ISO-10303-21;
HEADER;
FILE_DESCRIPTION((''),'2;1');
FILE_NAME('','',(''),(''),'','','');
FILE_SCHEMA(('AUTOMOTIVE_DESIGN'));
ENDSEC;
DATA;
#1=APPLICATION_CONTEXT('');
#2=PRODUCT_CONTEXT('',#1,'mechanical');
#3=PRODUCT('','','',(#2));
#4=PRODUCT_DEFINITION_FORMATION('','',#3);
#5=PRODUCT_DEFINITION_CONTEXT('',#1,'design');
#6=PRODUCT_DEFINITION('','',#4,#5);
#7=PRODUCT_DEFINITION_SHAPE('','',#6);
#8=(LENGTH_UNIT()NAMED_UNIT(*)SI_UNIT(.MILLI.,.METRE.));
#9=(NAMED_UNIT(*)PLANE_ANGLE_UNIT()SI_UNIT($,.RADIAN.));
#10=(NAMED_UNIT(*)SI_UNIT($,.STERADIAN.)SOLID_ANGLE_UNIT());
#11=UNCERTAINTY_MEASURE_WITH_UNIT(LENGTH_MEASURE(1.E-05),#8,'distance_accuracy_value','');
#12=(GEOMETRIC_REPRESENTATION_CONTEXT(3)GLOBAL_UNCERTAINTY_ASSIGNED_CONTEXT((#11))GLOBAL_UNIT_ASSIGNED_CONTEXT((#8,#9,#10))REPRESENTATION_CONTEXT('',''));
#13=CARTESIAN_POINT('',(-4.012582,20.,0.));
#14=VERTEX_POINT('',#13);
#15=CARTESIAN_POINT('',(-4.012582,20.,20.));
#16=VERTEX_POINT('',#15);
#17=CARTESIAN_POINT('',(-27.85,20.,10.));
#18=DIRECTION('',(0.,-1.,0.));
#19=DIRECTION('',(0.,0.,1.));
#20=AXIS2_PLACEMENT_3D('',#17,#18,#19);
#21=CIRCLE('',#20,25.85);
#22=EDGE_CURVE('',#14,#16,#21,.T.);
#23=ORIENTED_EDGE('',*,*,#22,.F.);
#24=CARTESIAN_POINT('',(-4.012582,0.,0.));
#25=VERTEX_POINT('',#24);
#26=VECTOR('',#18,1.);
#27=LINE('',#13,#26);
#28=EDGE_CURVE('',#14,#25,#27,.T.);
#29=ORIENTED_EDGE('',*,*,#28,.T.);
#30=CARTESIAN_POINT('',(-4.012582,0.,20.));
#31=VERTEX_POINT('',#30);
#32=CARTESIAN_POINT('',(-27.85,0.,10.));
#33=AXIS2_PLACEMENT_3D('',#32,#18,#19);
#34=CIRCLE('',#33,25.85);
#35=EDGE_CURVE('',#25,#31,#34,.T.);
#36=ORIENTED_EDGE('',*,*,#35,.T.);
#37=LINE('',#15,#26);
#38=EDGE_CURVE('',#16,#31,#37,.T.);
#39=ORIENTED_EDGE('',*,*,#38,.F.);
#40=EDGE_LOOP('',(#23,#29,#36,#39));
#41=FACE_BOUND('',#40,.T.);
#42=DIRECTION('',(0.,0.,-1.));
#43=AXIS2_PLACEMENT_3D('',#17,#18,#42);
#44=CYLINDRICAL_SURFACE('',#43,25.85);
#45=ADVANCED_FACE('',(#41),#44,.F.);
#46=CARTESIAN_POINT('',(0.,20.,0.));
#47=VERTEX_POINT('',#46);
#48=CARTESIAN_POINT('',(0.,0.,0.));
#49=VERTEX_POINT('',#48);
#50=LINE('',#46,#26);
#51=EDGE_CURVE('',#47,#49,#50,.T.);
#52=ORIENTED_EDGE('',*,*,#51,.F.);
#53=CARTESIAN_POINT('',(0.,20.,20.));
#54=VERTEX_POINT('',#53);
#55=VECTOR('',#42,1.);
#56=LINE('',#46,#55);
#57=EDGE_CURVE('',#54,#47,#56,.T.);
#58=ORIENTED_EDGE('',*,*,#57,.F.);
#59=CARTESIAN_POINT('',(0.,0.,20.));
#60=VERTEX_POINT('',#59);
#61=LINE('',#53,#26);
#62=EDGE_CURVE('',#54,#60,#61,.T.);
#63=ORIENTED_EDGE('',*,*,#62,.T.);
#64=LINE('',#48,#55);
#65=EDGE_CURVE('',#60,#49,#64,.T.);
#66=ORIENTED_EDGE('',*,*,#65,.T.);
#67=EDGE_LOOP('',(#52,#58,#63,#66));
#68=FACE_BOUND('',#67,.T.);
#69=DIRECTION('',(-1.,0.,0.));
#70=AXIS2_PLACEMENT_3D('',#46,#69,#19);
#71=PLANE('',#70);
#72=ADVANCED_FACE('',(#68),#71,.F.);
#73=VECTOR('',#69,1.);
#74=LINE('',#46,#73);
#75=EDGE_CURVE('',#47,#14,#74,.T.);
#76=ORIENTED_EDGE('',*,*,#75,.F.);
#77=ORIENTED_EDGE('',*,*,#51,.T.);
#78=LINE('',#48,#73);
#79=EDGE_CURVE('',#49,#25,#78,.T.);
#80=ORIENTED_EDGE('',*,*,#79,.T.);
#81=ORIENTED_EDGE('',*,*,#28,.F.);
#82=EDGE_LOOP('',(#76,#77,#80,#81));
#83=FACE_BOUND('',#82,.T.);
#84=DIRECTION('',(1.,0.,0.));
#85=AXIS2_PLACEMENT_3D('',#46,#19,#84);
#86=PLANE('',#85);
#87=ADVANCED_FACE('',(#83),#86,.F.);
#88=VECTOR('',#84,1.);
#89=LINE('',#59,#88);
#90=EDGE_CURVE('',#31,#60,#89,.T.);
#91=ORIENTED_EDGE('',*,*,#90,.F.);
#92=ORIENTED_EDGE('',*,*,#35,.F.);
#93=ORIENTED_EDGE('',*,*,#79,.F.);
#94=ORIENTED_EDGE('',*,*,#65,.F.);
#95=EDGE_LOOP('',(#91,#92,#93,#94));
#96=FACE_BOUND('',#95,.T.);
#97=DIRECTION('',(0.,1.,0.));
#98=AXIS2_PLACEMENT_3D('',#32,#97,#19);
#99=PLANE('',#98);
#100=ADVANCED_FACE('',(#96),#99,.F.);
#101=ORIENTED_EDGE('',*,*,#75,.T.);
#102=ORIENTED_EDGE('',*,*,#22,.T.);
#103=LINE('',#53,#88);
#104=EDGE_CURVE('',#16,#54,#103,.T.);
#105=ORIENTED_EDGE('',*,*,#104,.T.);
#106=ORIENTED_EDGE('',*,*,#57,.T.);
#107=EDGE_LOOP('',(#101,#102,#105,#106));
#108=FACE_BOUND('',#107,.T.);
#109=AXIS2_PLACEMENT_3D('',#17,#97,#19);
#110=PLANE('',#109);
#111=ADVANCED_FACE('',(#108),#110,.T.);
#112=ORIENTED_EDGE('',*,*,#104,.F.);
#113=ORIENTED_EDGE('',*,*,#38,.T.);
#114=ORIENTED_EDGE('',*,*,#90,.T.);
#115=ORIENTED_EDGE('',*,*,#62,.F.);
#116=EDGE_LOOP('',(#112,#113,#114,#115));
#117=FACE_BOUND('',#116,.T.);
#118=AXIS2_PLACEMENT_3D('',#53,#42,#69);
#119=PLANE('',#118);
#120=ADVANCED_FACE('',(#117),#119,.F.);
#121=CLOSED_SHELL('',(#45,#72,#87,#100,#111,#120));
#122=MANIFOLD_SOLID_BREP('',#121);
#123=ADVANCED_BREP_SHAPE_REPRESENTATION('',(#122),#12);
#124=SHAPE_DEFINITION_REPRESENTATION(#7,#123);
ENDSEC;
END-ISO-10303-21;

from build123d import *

# Parameters (mm, degrees)
EXTRUDE_1_DEPTH = 20


with BuildPart() as part:
    # 草图1 → 凸台-拉伸1 (new body)
    with BuildSketch(Plane(origin=(0, 0, 0), x_dir=(1, 0, 0), z_dir=(0, 1, 0))):
        with BuildLine():
            Line((0, 0), (0, -20))
            Line((0, -20), (-4.012581935, -20))
            ThreePointArc((-4.012581935, -20), (-2, -10), (-4.012581935, 0))
            Line((-4.012581935, 0), (0, 0))
        make_face()
    extrude(amount=EXTRUDE_1_DEPTH)


solid = part.part
